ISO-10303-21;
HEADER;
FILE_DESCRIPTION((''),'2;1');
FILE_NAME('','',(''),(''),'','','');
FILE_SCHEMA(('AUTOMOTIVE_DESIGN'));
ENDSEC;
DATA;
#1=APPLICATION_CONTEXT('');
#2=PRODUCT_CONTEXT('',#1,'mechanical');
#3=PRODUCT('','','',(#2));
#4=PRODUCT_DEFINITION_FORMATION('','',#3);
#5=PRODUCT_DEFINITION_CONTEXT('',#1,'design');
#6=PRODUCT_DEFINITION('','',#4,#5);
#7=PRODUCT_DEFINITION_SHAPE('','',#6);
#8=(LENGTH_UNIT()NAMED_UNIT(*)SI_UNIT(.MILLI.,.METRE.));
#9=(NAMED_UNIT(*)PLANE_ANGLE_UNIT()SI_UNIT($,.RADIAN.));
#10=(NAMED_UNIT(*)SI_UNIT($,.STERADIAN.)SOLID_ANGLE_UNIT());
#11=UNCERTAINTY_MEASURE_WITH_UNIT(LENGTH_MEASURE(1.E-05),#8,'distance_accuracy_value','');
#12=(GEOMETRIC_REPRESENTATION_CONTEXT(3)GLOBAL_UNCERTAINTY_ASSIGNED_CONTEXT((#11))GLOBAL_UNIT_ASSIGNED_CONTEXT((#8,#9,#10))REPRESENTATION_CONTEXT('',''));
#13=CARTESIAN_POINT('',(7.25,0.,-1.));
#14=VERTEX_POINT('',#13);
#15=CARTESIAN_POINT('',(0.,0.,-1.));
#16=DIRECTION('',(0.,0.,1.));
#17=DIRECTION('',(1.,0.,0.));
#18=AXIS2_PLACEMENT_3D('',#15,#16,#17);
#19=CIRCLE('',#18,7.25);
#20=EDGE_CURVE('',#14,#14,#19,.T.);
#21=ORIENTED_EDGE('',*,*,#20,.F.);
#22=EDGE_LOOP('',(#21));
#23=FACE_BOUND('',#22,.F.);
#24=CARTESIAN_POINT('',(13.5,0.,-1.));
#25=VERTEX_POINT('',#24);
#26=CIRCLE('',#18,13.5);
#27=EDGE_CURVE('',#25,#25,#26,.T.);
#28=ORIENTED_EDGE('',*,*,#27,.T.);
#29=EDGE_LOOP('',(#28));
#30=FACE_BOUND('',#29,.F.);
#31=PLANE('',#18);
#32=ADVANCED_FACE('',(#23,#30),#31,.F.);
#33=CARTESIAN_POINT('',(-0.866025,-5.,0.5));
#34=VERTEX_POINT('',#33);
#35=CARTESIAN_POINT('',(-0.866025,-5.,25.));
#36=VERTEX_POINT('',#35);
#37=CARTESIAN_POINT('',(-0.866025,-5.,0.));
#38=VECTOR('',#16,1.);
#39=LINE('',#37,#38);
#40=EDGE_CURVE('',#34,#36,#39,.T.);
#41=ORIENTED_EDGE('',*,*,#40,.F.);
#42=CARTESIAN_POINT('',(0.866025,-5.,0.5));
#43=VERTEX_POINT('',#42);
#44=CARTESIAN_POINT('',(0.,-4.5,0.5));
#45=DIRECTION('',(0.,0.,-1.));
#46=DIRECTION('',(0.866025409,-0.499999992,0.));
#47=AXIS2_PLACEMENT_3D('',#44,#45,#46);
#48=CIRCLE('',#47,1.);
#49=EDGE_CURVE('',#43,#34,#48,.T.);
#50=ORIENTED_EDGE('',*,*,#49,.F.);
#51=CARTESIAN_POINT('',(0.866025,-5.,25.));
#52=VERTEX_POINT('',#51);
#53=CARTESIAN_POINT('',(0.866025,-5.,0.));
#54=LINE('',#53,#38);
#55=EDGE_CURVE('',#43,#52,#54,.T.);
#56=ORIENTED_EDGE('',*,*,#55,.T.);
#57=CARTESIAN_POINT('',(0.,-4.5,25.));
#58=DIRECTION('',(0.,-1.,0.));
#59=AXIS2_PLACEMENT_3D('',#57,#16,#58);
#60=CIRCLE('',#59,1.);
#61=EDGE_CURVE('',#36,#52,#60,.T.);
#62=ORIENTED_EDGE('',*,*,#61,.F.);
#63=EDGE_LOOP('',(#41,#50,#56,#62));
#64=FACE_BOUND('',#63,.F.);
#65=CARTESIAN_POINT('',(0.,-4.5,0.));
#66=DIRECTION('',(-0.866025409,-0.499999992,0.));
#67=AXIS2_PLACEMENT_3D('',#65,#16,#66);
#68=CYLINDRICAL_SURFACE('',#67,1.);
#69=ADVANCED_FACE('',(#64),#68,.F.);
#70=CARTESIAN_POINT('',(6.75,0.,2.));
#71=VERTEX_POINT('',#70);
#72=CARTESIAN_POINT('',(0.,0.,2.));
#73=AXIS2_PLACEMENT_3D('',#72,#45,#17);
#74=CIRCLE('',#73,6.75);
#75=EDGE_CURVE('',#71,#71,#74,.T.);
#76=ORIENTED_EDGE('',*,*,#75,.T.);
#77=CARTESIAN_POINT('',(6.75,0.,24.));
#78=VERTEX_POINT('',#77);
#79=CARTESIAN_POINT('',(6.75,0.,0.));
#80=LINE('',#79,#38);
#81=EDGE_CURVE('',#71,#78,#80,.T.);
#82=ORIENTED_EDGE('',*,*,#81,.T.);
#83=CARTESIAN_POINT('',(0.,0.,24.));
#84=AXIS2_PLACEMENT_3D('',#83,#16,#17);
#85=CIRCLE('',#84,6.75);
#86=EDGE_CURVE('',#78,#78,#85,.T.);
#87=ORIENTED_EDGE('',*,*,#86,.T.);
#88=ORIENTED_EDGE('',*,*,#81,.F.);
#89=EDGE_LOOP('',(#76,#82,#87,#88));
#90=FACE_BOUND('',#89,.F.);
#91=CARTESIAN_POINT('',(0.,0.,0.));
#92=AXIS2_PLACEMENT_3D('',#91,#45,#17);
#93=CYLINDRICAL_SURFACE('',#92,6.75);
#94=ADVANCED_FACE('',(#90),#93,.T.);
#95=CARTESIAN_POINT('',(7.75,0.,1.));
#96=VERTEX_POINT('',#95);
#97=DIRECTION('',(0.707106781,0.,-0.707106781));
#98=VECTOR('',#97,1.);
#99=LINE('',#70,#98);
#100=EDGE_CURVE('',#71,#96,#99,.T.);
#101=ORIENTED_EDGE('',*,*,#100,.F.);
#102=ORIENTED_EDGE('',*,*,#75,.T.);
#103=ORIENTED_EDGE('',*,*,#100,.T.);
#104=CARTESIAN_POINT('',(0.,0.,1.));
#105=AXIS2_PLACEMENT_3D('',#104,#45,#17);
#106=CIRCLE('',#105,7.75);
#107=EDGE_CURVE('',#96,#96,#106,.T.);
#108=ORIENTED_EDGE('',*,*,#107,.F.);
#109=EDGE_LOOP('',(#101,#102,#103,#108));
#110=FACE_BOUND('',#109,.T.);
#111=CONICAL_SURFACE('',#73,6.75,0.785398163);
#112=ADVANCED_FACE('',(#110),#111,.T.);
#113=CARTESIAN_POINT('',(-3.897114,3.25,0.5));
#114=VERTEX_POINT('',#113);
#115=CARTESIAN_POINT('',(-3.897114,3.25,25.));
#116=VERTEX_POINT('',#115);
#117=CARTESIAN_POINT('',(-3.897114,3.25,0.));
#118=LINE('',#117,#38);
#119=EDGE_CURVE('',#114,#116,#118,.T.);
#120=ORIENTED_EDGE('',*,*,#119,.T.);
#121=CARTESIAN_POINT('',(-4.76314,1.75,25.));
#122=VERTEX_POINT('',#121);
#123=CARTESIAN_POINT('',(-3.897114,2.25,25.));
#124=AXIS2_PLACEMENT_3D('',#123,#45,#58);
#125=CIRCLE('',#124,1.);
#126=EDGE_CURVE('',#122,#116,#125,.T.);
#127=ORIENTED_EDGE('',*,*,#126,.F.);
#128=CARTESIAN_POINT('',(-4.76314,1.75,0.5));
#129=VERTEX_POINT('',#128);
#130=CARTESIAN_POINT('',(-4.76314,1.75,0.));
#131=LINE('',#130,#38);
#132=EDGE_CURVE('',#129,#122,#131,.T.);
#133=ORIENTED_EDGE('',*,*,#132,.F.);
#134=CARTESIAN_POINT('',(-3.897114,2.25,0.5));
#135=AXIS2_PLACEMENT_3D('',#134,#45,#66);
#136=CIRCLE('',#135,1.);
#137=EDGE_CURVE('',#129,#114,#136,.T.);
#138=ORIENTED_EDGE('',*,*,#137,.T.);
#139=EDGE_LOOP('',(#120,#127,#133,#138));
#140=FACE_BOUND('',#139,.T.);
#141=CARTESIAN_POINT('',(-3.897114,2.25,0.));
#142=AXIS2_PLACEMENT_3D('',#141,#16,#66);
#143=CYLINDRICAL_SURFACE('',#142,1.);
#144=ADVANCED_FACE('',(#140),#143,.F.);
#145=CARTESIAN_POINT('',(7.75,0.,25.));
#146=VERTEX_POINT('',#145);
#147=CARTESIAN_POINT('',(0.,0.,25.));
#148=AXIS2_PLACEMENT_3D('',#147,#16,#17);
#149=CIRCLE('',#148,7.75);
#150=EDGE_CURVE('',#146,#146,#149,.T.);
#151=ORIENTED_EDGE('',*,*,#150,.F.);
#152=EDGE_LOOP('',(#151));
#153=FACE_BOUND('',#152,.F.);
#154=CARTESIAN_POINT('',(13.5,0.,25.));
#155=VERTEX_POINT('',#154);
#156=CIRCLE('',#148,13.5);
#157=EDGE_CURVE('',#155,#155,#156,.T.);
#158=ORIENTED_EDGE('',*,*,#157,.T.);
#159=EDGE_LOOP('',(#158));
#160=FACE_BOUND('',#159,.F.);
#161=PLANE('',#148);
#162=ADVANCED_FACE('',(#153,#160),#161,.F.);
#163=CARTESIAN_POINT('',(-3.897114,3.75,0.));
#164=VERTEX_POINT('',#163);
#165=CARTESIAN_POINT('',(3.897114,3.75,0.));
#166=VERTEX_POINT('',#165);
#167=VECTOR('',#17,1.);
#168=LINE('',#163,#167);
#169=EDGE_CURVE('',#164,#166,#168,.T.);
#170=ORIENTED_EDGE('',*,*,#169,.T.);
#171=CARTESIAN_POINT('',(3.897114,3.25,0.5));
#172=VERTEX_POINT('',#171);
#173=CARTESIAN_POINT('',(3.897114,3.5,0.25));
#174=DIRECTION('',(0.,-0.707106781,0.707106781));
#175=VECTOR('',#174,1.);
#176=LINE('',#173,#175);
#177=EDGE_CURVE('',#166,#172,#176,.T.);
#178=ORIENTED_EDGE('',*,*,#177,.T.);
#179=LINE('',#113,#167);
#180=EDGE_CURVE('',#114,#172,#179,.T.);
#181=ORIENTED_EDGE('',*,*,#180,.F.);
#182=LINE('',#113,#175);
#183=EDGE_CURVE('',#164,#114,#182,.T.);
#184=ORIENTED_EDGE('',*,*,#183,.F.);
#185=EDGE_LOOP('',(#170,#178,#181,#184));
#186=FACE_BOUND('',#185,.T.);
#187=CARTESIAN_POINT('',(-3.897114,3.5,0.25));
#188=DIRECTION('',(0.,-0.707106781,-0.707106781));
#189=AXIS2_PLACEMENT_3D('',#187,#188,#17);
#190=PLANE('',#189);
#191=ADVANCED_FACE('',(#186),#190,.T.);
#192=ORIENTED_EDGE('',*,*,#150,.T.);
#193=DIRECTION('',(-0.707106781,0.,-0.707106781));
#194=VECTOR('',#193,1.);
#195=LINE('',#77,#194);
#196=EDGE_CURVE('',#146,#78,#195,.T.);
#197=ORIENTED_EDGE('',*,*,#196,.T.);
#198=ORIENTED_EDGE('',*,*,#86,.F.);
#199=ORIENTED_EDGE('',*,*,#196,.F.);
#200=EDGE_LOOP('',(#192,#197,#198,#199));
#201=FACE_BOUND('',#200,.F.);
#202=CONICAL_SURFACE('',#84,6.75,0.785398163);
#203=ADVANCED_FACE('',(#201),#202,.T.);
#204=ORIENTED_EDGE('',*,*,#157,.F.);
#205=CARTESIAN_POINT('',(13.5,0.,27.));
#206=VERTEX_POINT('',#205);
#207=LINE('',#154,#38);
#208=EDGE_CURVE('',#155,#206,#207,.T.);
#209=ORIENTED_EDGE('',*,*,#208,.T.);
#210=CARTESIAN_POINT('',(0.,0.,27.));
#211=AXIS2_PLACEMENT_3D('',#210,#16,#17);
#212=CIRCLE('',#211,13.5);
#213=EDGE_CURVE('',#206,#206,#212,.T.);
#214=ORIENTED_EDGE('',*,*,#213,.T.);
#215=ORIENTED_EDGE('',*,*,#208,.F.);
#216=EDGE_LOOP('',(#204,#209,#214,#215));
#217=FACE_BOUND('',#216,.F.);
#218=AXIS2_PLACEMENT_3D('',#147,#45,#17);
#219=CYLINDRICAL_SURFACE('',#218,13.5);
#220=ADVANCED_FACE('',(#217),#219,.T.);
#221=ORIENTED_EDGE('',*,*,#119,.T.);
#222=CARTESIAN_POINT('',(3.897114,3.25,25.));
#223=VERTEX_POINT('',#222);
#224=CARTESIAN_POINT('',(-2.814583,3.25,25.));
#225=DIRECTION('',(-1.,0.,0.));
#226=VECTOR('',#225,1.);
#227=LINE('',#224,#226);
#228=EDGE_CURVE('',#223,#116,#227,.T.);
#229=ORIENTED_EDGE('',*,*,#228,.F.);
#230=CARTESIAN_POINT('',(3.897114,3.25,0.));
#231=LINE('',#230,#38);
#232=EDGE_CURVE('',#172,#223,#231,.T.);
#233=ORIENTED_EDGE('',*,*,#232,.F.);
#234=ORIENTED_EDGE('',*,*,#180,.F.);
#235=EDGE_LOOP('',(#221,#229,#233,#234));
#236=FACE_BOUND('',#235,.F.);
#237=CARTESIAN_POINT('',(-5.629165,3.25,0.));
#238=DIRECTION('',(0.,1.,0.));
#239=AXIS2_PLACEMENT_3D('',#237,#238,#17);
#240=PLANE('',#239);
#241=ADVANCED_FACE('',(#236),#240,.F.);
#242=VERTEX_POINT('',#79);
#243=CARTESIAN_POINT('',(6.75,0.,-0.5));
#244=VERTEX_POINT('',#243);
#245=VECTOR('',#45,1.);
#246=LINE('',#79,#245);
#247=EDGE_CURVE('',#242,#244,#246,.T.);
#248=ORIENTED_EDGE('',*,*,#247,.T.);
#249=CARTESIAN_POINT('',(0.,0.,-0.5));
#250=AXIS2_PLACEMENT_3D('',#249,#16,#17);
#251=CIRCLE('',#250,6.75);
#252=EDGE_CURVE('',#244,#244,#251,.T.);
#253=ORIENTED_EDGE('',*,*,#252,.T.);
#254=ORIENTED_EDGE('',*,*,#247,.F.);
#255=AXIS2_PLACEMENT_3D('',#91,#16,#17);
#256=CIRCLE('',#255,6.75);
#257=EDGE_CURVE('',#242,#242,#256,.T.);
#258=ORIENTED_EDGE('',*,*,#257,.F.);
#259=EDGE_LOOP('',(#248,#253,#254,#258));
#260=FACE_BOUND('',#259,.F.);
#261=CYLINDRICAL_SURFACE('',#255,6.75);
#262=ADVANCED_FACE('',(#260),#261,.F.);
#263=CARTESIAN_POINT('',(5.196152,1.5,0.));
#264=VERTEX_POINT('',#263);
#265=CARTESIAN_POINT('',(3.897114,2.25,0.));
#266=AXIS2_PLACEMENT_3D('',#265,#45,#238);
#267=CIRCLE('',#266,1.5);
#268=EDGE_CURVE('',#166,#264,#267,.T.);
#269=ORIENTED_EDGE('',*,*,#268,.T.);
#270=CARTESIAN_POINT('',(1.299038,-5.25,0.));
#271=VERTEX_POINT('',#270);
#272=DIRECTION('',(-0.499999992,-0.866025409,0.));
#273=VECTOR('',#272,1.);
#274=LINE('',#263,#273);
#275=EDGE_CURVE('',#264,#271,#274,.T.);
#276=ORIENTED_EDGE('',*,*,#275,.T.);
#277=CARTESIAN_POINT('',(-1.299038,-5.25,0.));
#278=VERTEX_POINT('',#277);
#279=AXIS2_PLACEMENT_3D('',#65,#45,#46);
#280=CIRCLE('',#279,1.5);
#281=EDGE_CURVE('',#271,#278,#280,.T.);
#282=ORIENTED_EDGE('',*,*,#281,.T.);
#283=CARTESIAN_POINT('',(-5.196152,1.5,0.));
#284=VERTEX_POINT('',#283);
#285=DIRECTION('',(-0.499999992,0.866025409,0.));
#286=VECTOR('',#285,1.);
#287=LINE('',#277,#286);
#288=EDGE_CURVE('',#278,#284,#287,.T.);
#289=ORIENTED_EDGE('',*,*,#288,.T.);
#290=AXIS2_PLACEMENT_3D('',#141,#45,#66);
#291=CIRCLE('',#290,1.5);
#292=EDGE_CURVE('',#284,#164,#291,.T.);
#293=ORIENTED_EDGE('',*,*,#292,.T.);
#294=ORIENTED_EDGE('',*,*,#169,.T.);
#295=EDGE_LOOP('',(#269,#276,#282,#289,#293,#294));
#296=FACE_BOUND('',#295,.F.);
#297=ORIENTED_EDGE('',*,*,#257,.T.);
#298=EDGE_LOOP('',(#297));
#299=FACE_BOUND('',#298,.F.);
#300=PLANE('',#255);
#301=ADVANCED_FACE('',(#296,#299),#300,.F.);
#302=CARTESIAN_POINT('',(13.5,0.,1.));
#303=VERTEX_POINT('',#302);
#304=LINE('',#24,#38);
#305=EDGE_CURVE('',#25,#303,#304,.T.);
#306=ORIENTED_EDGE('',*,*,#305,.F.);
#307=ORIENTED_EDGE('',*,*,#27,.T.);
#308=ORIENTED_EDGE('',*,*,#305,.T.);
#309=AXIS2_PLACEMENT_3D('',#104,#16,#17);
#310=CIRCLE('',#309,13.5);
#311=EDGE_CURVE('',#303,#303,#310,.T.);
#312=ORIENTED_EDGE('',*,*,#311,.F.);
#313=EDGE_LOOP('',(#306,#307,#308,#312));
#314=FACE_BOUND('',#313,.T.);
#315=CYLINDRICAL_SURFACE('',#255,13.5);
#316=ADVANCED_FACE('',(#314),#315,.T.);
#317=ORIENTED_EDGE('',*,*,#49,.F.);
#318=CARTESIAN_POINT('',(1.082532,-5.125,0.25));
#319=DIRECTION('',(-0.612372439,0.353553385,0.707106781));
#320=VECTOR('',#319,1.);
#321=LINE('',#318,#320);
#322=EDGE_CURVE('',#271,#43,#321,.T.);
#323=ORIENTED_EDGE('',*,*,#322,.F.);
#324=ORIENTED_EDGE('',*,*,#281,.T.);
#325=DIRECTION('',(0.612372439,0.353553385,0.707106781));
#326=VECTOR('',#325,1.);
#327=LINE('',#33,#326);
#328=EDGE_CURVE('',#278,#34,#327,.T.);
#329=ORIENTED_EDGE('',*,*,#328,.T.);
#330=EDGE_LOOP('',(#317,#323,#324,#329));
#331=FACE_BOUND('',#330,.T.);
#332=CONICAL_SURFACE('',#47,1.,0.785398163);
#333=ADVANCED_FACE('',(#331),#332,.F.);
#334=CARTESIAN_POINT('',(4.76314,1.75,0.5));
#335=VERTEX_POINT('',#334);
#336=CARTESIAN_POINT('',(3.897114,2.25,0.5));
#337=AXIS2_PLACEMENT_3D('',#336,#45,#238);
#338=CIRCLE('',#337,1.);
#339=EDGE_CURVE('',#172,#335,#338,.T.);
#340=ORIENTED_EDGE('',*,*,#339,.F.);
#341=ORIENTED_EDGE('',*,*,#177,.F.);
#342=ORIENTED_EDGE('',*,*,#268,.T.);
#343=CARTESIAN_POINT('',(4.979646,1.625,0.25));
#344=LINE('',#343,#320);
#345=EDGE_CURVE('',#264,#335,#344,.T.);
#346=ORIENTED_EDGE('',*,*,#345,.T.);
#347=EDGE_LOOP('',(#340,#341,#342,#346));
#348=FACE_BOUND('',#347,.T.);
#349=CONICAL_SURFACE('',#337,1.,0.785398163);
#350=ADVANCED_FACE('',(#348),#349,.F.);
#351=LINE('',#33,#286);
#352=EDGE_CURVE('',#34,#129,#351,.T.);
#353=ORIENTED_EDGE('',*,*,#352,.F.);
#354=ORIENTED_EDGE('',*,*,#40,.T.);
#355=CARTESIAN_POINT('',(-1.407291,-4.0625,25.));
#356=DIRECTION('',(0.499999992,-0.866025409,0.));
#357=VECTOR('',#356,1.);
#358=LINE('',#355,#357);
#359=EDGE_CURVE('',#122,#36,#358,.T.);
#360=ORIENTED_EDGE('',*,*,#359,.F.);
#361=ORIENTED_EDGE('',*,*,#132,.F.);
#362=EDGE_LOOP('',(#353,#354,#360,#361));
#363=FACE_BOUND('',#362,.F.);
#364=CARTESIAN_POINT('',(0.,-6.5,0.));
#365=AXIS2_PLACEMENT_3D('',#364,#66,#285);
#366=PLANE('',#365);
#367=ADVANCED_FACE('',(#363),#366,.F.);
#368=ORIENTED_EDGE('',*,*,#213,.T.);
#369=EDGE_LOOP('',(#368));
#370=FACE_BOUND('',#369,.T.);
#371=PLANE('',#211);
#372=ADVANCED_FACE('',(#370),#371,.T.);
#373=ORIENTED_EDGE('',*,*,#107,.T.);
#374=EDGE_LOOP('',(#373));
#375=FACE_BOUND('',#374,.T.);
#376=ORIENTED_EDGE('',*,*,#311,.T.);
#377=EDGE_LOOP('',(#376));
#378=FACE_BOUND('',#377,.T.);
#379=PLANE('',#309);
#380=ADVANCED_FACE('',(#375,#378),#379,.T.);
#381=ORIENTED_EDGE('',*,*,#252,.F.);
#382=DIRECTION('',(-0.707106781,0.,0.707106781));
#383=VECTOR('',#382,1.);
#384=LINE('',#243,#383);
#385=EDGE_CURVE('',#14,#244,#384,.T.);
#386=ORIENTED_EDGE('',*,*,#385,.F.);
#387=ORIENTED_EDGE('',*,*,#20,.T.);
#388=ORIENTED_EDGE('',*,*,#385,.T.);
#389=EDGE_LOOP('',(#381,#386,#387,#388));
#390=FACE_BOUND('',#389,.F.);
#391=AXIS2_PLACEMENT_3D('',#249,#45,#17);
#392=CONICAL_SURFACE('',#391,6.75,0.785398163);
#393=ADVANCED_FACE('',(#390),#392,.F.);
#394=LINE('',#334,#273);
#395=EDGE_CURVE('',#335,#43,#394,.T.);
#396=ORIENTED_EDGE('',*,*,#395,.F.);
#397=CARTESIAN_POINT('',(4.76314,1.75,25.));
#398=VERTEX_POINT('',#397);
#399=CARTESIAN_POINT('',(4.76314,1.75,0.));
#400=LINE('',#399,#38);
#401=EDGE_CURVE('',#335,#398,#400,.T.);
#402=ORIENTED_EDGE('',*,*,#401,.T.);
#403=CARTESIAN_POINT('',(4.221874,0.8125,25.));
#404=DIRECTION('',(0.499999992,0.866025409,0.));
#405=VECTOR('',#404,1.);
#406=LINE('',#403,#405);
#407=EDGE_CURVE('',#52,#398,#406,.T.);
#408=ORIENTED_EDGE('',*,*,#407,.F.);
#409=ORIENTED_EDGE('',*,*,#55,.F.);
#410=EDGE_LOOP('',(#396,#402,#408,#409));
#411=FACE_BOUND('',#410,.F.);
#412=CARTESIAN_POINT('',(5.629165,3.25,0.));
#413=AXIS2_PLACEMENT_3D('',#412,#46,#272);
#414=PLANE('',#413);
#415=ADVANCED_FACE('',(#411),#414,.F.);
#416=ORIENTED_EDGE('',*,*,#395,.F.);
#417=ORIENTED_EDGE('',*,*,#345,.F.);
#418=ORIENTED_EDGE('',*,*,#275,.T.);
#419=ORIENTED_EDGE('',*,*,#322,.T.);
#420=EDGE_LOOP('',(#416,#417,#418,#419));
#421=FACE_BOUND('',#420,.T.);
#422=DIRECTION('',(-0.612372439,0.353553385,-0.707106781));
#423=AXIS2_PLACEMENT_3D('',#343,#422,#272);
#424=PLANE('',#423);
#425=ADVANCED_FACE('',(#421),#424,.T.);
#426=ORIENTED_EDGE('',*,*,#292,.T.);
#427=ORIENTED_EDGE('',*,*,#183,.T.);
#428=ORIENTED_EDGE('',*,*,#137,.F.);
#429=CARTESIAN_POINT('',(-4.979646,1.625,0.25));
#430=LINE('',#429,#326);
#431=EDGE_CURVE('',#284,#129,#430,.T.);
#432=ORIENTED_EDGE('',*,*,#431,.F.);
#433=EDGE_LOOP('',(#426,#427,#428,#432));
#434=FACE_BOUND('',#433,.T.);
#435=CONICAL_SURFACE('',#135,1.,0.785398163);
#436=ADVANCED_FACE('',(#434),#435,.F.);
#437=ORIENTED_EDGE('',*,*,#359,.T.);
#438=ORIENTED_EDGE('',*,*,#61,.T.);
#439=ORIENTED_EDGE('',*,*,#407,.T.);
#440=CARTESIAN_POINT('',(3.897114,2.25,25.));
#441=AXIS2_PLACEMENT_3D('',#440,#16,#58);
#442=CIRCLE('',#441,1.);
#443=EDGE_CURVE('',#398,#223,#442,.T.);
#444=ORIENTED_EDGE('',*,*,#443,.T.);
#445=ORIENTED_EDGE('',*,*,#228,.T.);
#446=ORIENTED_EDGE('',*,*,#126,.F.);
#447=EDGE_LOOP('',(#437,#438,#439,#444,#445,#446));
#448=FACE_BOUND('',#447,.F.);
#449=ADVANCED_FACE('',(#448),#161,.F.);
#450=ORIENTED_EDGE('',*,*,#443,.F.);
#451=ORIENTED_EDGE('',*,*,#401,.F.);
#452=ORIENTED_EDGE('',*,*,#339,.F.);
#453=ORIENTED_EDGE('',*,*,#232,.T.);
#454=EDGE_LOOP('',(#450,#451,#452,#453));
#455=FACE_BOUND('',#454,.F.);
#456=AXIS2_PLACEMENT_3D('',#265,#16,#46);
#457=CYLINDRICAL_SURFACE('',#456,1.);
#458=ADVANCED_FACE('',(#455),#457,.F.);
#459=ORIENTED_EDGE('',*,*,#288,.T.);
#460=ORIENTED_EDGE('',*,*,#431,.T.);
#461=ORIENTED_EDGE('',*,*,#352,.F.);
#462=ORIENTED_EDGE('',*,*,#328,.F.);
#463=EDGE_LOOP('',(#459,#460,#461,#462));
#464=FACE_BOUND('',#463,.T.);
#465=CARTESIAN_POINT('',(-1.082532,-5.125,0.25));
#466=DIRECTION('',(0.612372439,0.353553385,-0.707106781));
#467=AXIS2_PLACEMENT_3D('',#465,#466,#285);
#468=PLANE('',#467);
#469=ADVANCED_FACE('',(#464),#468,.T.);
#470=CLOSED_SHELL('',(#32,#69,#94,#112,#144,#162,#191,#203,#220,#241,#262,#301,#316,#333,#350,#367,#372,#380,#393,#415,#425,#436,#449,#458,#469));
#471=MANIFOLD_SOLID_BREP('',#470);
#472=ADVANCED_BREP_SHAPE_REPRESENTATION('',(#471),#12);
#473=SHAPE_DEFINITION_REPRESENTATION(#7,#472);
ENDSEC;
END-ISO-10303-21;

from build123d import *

# Parameters (mm, degrees)
SKETCH_R        = 13.5
SKETCH_R_2      = 6.75
PAD_DEPTH       = 1
SKETCH001_R     = 13.5
PAD001_DEPTH    = 1
SKETCH002_R     = 6.75
PAD002_DEPTH    = 25
POCKET_DEPTH    = 30
FILLET_R        = 1
SKETCH004_R     = 13.5
PAD003_DEPTH    = 2
CHAMFER_SIZE    = 1
CHAMFER001_SIZE = 0.5
CHAMFER002_SIZE = 0.5


with BuildPart() as part:
    # Sketch → Pad (new body)
    with BuildSketch(Plane.XY):
        Circle(SKETCH_R)
        Circle(SKETCH_R_2, mode=Mode.SUBTRACT)
    extrude(amount=-PAD_DEPTH)

    # Sketch001 → Pad001 (join)
    with BuildSketch(Plane.XY):
        Circle(SKETCH001_R)
    extrude(amount=PAD001_DEPTH)

    # Sketch002 → Pad002 (join)
    with BuildSketch(Plane.XY):
        Circle(SKETCH002_R)
    extrude(amount=PAD002_DEPTH)

    # Sketch003 → Pocket (cut)
    with BuildSketch(Plane.XY):
        Polygon((-5.629165, 3.25), (5.629165, 3.25), (0, -6.5), align=None)
    extrude(amount=POCKET_DEPTH, mode=Mode.SUBTRACT)

    # Fillet
    fillet_edges = [part.edges().sort_by_distance(p)[0] for p in [
        (5.629165, 3.25, 12.5),
        (-5.629165, 3.25, 12.5),
        (0, -6.5, 12.5),
    ]]
    fillet(fillet_edges, radius=FILLET_R)

    # Sketch004 (on DatumPlane) → Pad003 (join)
    with BuildSketch(Plane.XY.offset(25)):
        Circle(SKETCH004_R)
    extrude(amount=PAD003_DEPTH)

    # Chamfer
    chamfer_edges = [part.edges().sort_by_distance(p)[0] for p in [
        (-6.75, 0, 1),
        (-6.75, 0, 25),
    ]]
    chamfer(chamfer_edges, length=CHAMFER_SIZE)

    # Chamfer001
    chamfer001_edges = [part.edges().sort_by_distance(p)[0] for p in [
        (-6.75, 0, -1),
    ]]
    chamfer(chamfer001_edges, length=CHAMFER001_SIZE)

    # Chamfer002
    chamfer002_edges = [part.edges().sort_by_distance(p)[0] for p in [
        (2.814583, -1.625, 0),
    ]]
    chamfer(chamfer002_edges, length=CHAMFER002_SIZE)


solid = part.part
